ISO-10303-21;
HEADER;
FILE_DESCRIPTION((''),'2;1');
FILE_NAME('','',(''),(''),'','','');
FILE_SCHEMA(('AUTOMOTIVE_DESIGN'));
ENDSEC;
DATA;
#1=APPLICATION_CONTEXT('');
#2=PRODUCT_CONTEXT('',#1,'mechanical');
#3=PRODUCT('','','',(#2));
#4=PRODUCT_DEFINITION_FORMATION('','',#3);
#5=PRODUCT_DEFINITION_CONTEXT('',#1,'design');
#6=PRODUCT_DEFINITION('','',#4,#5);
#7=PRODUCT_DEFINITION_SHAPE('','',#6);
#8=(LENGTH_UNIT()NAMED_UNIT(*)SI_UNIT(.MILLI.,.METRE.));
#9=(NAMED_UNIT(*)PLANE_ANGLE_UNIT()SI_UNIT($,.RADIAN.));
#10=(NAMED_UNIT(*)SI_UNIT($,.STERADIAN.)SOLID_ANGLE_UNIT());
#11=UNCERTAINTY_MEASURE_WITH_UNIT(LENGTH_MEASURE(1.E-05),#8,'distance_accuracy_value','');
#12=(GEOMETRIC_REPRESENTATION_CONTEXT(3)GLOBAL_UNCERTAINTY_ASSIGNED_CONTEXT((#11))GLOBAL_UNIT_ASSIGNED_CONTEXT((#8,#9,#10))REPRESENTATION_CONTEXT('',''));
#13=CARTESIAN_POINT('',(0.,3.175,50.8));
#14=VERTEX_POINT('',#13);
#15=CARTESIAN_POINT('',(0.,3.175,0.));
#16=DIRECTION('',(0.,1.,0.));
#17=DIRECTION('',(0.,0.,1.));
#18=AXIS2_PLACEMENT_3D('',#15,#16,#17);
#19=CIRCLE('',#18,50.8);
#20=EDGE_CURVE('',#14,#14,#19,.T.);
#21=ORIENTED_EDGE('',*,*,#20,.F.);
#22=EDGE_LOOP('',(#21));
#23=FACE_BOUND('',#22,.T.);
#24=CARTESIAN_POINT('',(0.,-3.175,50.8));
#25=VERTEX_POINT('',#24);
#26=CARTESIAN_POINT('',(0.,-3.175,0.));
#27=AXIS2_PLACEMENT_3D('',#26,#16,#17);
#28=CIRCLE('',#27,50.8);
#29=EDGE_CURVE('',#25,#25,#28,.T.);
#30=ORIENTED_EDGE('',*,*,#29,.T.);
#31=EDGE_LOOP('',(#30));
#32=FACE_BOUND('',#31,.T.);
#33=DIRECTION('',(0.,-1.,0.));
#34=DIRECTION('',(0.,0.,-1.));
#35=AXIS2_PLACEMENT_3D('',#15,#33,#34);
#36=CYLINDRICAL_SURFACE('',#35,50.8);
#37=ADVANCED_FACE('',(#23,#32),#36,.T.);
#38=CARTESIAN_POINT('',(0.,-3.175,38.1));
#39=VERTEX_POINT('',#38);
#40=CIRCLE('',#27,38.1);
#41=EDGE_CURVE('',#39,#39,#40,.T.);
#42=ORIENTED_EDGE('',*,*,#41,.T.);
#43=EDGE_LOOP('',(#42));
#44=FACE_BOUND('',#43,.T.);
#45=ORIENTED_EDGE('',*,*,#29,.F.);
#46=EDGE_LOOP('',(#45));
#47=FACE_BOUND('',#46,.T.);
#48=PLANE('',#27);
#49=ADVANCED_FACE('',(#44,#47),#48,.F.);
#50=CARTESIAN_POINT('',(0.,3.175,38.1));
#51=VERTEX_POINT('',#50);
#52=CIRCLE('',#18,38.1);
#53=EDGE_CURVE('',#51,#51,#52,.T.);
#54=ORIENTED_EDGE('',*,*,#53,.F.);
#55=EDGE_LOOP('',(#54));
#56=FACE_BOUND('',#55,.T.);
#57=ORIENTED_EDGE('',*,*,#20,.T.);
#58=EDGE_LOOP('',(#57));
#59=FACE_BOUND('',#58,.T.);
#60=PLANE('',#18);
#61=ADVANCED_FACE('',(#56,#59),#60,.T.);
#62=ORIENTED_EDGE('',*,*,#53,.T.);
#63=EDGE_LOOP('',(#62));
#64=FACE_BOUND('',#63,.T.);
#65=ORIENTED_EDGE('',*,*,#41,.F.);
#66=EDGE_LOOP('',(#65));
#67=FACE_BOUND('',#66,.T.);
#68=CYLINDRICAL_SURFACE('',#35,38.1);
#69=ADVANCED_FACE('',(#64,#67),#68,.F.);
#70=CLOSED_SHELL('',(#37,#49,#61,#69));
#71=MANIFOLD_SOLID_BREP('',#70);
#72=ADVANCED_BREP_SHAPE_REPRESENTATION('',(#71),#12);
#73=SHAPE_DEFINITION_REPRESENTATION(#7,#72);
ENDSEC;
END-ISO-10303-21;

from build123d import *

# Parameters (mm, degrees)
SKETCH1_R           = 50.8
SKETCH1_R_2         = 38.1
BOSS_EXTRUDE1_DEPTH = 3.175


with BuildPart() as part:
    # Sketch1 → Boss-Extrude1 (new, symmetric)
    with BuildSketch(Plane(origin=(0, 0, 0), x_dir=(1, 0, 0), z_dir=(0, 1, 0))):
        with Locations(Location((0, 0, 0), (0, 0, 270))):
            Circle(SKETCH1_R)
        with Locations(Location((0, 0, 0), (0, 0, 270))):
            Circle(SKETCH1_R_2, mode=Mode.SUBTRACT)
    extrude(amount=BOSS_EXTRUDE1_DEPTH, both=True)


solid = part.part
